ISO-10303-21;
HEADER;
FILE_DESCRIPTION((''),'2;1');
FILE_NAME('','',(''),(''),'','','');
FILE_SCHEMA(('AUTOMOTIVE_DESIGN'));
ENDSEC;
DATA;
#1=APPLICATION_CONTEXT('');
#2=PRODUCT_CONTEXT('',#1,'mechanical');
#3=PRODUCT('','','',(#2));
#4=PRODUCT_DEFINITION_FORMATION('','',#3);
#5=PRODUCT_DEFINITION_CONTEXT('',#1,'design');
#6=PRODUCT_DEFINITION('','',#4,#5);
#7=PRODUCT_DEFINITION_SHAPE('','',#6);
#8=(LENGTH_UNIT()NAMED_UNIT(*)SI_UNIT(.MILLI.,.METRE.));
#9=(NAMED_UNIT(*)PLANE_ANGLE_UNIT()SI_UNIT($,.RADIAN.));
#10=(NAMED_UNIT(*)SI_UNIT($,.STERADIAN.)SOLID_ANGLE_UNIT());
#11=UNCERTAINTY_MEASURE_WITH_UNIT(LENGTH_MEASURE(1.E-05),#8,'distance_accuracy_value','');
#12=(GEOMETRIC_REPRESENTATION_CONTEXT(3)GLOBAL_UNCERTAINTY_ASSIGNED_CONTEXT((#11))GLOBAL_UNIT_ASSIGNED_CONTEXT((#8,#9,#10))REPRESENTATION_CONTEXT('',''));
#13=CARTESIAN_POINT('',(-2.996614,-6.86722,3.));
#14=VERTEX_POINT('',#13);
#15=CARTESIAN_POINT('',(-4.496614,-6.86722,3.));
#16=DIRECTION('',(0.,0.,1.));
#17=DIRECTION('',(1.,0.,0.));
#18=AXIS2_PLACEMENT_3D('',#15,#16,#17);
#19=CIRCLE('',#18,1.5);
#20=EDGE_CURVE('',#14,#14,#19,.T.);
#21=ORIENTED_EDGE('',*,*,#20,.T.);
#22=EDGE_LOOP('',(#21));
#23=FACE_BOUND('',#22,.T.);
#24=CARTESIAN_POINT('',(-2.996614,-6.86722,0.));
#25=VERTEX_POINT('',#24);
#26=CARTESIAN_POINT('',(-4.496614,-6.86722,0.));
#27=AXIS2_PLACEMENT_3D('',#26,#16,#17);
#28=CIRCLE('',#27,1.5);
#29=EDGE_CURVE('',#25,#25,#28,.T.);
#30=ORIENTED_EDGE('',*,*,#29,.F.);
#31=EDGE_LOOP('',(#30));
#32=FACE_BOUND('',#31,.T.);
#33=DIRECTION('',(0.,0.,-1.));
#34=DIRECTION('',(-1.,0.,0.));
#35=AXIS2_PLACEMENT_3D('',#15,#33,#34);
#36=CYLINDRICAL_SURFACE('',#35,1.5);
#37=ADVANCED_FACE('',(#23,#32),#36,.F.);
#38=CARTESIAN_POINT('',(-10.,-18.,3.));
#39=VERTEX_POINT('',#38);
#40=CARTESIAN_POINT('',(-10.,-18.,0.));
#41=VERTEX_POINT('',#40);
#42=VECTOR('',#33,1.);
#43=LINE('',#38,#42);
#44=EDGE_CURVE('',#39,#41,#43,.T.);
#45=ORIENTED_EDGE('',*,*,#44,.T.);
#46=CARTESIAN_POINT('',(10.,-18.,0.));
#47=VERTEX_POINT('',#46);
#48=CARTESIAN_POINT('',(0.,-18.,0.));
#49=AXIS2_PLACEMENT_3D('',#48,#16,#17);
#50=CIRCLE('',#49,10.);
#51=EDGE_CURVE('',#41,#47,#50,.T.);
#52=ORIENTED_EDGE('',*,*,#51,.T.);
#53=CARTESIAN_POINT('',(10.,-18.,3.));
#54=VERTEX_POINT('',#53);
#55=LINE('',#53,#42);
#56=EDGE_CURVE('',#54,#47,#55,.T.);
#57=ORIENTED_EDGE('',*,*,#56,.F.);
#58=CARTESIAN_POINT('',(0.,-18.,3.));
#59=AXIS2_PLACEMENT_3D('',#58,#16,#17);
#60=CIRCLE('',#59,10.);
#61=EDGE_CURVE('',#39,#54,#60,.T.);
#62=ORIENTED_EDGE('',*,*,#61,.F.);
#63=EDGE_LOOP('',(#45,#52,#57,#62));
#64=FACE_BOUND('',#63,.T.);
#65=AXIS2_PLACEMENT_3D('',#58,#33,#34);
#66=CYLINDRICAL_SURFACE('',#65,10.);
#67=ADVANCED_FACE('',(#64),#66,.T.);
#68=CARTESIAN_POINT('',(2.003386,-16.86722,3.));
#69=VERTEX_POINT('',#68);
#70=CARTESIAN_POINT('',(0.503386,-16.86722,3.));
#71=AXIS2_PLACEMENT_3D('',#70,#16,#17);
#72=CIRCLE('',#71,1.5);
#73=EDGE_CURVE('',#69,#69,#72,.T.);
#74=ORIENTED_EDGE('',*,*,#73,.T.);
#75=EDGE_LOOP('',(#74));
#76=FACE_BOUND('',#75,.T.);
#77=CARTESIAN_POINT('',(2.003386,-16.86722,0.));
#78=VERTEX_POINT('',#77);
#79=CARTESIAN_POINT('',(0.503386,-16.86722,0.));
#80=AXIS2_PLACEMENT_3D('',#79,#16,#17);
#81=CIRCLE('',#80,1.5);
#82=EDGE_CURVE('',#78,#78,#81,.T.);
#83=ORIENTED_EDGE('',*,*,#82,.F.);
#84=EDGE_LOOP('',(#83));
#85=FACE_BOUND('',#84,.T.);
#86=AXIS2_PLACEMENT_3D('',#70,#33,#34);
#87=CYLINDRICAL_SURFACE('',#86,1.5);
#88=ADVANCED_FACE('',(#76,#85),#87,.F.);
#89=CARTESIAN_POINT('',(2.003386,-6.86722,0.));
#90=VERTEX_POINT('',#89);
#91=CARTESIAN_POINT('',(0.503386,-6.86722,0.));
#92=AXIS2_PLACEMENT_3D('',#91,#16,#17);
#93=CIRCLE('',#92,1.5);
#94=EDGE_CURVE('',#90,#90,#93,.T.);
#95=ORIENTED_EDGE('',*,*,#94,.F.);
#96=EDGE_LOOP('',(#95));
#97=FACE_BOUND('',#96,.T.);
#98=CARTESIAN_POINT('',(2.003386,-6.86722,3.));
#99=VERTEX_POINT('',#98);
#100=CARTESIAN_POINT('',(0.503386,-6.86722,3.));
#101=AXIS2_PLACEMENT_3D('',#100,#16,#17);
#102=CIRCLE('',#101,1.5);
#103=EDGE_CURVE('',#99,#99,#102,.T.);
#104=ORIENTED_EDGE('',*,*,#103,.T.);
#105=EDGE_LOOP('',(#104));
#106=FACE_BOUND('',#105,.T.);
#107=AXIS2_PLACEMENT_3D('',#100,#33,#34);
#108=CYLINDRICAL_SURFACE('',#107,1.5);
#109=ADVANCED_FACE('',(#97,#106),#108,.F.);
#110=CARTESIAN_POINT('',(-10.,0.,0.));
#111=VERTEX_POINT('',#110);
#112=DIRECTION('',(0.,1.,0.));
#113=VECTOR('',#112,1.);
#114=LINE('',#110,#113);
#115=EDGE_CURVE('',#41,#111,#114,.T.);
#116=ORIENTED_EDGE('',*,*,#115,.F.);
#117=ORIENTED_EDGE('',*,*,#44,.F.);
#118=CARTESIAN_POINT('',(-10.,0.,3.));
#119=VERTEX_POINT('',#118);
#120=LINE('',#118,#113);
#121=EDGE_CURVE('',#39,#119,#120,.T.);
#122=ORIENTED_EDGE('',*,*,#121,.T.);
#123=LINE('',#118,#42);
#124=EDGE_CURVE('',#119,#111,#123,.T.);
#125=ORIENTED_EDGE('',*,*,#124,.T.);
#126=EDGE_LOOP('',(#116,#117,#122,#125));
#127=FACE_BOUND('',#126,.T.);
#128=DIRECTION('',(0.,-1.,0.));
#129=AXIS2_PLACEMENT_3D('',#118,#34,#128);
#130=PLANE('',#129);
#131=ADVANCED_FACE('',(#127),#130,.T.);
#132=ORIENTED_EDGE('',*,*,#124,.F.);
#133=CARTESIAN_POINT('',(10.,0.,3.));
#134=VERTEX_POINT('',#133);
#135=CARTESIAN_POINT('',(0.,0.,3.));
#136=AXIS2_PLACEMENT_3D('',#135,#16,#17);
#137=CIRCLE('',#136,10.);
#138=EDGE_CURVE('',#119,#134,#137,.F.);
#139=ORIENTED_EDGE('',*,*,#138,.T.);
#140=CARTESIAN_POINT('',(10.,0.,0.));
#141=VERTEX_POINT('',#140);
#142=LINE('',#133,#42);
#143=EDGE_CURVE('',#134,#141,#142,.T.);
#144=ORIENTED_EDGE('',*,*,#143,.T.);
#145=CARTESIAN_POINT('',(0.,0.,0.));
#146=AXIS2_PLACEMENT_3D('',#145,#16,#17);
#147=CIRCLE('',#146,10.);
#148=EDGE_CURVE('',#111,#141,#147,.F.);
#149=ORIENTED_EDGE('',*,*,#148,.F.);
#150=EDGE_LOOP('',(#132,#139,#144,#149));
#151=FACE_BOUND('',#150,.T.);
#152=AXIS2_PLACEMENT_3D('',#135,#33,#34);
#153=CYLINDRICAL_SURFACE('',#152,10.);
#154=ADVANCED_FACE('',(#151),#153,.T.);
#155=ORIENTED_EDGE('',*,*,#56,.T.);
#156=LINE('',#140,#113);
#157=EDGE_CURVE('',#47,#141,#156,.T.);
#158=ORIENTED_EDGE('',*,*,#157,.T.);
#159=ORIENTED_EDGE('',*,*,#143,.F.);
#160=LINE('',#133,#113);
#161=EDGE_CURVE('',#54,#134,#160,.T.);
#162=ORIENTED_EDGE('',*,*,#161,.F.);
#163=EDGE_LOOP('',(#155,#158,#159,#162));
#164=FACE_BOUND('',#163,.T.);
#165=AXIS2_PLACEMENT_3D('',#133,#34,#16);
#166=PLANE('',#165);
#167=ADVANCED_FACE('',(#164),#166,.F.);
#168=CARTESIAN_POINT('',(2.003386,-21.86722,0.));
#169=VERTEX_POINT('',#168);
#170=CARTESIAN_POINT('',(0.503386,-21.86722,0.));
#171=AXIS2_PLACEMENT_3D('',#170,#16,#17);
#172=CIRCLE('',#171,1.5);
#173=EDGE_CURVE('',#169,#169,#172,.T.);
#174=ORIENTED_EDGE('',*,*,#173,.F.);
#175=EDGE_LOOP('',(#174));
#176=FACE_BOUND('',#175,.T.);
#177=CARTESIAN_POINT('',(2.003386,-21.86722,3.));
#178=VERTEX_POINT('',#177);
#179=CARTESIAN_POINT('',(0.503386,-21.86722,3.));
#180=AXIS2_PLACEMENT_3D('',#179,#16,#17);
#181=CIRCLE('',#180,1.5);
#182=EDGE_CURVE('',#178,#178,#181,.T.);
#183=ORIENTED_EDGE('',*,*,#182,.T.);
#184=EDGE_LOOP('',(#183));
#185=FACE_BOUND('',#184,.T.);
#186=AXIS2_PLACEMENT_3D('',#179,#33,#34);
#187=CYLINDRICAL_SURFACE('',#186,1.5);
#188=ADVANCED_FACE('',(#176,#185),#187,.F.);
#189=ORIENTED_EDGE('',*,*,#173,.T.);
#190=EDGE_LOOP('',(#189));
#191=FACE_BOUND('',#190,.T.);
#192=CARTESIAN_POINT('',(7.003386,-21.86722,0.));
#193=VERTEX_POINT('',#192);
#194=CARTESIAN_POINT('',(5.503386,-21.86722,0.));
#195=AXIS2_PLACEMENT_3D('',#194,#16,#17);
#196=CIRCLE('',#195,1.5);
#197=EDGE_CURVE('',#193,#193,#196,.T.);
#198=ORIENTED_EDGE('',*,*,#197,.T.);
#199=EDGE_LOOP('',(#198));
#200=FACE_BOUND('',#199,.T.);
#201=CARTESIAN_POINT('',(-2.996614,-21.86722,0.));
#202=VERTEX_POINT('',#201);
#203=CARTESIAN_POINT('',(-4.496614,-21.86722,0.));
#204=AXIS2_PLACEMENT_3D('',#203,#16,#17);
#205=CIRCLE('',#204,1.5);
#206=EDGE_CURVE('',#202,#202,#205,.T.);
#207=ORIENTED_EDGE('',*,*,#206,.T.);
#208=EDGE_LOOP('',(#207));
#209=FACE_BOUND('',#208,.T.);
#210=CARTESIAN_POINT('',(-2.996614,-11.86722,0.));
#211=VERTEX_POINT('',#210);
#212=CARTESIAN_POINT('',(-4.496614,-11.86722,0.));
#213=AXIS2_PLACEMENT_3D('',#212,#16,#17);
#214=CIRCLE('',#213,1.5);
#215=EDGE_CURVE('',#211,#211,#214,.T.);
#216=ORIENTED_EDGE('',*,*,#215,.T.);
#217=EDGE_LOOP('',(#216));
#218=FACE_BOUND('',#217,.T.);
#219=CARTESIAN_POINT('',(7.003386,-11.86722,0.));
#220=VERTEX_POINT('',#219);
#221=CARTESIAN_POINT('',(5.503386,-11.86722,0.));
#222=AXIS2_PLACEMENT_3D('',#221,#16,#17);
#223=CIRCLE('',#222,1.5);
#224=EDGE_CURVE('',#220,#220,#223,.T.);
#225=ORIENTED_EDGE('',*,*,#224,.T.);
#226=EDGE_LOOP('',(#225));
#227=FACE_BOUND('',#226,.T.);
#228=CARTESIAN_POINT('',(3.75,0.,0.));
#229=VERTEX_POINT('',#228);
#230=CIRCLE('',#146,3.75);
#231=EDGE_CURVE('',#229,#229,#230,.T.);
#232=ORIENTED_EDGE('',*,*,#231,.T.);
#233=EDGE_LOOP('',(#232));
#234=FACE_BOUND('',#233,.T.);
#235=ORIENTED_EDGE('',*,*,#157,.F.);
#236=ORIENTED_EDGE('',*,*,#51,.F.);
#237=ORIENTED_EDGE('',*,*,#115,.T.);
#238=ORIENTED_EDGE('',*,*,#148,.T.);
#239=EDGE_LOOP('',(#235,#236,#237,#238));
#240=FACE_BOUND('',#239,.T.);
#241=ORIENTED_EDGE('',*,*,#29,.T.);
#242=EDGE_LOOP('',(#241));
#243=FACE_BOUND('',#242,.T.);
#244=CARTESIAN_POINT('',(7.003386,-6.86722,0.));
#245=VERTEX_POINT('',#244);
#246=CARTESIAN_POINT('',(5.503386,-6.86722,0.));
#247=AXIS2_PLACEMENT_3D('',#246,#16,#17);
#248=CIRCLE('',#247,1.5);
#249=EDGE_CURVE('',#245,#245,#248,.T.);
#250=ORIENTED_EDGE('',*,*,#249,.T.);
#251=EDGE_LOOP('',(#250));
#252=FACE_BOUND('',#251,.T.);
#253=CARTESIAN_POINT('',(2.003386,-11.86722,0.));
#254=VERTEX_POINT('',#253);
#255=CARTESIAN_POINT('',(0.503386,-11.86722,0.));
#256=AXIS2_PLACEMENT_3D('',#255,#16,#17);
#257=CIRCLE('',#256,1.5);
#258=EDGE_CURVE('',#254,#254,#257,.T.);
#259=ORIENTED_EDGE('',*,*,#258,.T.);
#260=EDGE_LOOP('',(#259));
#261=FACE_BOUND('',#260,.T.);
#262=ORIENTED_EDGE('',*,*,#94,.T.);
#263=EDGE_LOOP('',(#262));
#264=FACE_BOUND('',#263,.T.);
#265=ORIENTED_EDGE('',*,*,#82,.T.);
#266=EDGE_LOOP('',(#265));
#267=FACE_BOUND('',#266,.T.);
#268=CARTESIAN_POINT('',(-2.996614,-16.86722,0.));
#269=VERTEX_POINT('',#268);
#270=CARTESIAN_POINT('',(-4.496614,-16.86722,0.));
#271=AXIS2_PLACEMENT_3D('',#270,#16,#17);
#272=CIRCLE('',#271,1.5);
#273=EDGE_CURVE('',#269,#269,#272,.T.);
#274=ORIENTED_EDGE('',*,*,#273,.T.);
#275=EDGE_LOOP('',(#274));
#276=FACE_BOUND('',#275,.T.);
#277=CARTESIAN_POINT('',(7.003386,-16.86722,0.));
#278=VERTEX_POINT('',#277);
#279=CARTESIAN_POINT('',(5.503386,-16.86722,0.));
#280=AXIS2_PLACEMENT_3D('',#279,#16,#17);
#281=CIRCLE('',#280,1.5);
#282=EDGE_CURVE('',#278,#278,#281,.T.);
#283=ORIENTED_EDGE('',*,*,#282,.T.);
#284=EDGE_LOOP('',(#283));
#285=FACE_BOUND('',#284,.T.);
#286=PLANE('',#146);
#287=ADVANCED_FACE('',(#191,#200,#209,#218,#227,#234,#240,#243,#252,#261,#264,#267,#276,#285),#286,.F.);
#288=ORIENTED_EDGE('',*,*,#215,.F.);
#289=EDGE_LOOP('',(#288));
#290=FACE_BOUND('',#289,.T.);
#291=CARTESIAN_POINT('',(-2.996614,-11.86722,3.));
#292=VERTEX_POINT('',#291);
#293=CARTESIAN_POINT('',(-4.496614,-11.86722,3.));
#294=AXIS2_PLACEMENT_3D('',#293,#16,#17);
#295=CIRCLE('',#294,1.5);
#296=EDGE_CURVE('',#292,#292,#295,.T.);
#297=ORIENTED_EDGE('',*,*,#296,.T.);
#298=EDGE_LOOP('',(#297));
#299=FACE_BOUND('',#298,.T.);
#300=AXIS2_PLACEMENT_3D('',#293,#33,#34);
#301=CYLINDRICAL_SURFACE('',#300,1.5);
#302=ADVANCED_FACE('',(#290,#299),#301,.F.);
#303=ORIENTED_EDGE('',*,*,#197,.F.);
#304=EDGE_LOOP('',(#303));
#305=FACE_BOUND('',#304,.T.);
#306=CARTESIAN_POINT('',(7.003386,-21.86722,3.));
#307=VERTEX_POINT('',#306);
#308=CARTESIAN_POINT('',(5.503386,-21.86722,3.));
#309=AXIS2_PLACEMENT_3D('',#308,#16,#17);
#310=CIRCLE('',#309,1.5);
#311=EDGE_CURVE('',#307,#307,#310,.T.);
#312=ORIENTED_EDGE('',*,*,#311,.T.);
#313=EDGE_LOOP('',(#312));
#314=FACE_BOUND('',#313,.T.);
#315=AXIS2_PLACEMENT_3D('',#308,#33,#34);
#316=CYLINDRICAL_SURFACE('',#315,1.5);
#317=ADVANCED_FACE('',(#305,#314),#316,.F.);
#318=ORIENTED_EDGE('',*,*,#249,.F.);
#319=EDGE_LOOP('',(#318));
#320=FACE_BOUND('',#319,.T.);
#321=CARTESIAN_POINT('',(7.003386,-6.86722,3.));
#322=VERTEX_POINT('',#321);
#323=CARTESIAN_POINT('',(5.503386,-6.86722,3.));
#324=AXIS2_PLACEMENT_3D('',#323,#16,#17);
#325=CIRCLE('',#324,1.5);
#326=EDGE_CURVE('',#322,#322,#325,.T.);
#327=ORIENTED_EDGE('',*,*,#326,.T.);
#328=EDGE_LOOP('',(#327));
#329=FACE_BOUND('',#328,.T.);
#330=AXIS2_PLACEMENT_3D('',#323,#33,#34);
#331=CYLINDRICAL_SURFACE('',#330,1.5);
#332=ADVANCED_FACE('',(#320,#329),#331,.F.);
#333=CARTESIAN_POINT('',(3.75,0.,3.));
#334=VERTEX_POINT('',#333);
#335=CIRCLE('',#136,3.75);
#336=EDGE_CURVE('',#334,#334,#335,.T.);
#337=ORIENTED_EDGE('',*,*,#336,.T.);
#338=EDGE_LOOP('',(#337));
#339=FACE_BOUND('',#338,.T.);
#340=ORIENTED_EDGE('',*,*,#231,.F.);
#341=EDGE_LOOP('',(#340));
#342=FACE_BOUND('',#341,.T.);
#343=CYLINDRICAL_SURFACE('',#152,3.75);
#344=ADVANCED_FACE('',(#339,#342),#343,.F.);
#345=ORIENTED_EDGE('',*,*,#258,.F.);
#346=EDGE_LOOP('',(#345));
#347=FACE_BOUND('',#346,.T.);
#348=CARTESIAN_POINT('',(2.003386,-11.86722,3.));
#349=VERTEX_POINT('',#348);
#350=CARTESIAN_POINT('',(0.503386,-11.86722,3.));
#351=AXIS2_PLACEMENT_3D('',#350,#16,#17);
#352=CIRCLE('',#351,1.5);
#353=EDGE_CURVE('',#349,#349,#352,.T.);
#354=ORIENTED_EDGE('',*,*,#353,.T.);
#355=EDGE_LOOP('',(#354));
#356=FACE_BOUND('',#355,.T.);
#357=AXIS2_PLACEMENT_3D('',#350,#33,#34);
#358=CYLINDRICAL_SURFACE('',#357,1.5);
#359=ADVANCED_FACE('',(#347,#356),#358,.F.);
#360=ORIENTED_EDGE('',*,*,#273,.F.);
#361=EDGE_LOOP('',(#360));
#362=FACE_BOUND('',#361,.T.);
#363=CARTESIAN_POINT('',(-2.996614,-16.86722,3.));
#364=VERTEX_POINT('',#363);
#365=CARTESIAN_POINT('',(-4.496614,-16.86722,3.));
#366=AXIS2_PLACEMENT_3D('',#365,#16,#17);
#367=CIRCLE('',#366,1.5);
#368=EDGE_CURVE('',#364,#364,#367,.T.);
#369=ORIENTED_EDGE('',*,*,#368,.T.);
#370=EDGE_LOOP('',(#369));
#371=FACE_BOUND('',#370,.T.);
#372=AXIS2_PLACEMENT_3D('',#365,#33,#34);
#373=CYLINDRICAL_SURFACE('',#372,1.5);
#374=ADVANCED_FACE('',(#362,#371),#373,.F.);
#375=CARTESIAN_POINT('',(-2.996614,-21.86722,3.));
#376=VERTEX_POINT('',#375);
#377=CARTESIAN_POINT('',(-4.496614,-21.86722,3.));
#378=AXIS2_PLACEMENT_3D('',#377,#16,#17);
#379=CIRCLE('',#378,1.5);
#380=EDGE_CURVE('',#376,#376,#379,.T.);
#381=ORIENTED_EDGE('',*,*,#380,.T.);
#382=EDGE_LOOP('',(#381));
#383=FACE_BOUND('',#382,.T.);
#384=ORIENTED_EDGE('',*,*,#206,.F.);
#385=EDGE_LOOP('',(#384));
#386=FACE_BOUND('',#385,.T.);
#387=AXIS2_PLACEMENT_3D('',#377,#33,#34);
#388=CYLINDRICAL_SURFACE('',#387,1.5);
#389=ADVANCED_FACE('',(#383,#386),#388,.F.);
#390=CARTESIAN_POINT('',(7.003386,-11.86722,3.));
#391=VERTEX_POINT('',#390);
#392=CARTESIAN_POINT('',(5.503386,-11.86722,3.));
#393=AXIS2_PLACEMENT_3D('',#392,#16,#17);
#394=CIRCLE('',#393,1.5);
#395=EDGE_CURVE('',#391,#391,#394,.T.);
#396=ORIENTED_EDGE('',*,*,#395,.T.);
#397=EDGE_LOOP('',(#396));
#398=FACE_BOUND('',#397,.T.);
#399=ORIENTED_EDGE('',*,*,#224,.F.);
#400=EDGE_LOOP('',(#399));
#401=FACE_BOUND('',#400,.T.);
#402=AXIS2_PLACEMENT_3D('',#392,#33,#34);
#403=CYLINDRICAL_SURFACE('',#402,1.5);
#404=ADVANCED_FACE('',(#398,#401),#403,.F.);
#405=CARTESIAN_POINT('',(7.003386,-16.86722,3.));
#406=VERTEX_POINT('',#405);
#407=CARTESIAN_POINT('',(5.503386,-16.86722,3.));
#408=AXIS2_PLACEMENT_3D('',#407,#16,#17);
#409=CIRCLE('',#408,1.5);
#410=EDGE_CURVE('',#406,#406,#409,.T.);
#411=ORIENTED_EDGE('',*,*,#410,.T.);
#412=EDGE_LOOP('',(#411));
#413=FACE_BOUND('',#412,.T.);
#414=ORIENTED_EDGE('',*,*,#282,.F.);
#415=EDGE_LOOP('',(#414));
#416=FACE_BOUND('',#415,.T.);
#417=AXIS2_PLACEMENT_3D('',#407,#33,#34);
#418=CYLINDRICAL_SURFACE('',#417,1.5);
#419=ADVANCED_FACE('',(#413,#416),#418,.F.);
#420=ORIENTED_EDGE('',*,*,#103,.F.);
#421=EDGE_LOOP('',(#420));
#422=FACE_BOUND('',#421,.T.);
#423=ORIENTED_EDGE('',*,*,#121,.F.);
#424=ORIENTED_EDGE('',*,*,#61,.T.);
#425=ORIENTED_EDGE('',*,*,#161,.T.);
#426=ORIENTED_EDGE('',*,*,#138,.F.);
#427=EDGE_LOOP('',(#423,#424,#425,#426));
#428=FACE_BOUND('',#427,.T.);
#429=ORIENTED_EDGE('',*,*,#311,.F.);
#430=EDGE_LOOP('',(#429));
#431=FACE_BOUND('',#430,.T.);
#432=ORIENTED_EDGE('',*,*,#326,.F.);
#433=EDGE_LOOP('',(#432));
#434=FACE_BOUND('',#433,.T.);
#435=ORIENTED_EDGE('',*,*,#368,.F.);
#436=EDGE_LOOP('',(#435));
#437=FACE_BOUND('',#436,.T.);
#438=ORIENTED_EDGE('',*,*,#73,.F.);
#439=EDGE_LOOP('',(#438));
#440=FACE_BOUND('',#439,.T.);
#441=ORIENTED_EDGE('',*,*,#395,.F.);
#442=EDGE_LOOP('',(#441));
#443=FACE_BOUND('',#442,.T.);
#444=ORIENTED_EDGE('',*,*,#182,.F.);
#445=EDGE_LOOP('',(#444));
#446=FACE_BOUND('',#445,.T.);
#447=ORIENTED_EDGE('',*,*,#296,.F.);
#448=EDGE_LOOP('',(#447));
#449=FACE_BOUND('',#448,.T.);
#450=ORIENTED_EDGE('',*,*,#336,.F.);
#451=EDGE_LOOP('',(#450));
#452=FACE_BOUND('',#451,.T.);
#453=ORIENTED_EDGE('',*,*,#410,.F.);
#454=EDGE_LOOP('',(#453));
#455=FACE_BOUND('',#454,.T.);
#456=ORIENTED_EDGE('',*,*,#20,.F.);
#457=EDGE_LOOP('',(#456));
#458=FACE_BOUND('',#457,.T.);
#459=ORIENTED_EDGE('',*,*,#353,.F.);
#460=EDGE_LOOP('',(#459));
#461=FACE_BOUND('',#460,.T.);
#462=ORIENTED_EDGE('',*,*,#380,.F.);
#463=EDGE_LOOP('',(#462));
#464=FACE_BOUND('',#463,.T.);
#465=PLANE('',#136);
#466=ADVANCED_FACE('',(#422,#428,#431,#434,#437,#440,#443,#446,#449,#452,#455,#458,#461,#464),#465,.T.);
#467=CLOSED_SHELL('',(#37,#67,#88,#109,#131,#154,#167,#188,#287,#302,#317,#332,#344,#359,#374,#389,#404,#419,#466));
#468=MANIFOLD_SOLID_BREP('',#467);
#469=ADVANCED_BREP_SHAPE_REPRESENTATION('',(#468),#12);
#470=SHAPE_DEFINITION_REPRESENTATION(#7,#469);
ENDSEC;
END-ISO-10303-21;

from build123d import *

# Parameters (mm, degrees)
ESQUISSE1_R        = 3.75
ESQUISSE1_R_2      = 1.5
BOSS_EXTRU_1_DEPTH = 3


with BuildPart() as part:
    # Esquisse1 → Boss.-Extru.1 (new body)
    with BuildSketch(Plane.XY):
        with BuildLine():
            Line((-10, -18), (-10, 0))
            ThreePointArc((-10, 0), (0, 10), (10, 0))
            Line((10, 0), (10, -18))
            ThreePointArc((10, -18), (0, -28), (-10, -18))
        make_face()
        Circle(ESQUISSE1_R, mode=Mode.SUBTRACT)
        with Locations((-4.496614477, -21.867219529)):
            Circle(ESQUISSE1_R_2, mode=Mode.SUBTRACT)
        with Locations((0.503385523, -21.867219529)):
            Circle(ESQUISSE1_R_2, mode=Mode.SUBTRACT)
        with Locations((5.503385523, -21.867219529)):
            Circle(ESQUISSE1_R_2, mode=Mode.SUBTRACT)
        with Locations((0.503385523, -16.867219529)):
            Circle(ESQUISSE1_R_2, mode=Mode.SUBTRACT)
        with Locations((5.503385523, -16.867219529)):
            Circle(ESQUISSE1_R_2, mode=Mode.SUBTRACT)
        with Locations((0.503385523, -11.867219529)):
            Circle(ESQUISSE1_R_2, mode=Mode.SUBTRACT)
        with Locations((5.503385523, -11.867219529)):
            Circle(ESQUISSE1_R_2, mode=Mode.SUBTRACT)
        with Locations((0.503385523, -6.867219529)):
            Circle(ESQUISSE1_R_2, mode=Mode.SUBTRACT)
        with Locations((5.503385523, -6.867219529)):
            Circle(ESQUISSE1_R_2, mode=Mode.SUBTRACT)
        with Locations((-4.496614477, -16.867219529)):
            Circle(ESQUISSE1_R_2, mode=Mode.SUBTRACT)
        with Locations((-4.496614477, -11.867219529)):
            Circle(ESQUISSE1_R_2, mode=Mode.SUBTRACT)
        with Locations((-4.496614477, -6.867219529)):
            Circle(ESQUISSE1_R_2, mode=Mode.SUBTRACT)
    extrude(amount=BOSS_EXTRU_1_DEPTH)


solid = part.part
